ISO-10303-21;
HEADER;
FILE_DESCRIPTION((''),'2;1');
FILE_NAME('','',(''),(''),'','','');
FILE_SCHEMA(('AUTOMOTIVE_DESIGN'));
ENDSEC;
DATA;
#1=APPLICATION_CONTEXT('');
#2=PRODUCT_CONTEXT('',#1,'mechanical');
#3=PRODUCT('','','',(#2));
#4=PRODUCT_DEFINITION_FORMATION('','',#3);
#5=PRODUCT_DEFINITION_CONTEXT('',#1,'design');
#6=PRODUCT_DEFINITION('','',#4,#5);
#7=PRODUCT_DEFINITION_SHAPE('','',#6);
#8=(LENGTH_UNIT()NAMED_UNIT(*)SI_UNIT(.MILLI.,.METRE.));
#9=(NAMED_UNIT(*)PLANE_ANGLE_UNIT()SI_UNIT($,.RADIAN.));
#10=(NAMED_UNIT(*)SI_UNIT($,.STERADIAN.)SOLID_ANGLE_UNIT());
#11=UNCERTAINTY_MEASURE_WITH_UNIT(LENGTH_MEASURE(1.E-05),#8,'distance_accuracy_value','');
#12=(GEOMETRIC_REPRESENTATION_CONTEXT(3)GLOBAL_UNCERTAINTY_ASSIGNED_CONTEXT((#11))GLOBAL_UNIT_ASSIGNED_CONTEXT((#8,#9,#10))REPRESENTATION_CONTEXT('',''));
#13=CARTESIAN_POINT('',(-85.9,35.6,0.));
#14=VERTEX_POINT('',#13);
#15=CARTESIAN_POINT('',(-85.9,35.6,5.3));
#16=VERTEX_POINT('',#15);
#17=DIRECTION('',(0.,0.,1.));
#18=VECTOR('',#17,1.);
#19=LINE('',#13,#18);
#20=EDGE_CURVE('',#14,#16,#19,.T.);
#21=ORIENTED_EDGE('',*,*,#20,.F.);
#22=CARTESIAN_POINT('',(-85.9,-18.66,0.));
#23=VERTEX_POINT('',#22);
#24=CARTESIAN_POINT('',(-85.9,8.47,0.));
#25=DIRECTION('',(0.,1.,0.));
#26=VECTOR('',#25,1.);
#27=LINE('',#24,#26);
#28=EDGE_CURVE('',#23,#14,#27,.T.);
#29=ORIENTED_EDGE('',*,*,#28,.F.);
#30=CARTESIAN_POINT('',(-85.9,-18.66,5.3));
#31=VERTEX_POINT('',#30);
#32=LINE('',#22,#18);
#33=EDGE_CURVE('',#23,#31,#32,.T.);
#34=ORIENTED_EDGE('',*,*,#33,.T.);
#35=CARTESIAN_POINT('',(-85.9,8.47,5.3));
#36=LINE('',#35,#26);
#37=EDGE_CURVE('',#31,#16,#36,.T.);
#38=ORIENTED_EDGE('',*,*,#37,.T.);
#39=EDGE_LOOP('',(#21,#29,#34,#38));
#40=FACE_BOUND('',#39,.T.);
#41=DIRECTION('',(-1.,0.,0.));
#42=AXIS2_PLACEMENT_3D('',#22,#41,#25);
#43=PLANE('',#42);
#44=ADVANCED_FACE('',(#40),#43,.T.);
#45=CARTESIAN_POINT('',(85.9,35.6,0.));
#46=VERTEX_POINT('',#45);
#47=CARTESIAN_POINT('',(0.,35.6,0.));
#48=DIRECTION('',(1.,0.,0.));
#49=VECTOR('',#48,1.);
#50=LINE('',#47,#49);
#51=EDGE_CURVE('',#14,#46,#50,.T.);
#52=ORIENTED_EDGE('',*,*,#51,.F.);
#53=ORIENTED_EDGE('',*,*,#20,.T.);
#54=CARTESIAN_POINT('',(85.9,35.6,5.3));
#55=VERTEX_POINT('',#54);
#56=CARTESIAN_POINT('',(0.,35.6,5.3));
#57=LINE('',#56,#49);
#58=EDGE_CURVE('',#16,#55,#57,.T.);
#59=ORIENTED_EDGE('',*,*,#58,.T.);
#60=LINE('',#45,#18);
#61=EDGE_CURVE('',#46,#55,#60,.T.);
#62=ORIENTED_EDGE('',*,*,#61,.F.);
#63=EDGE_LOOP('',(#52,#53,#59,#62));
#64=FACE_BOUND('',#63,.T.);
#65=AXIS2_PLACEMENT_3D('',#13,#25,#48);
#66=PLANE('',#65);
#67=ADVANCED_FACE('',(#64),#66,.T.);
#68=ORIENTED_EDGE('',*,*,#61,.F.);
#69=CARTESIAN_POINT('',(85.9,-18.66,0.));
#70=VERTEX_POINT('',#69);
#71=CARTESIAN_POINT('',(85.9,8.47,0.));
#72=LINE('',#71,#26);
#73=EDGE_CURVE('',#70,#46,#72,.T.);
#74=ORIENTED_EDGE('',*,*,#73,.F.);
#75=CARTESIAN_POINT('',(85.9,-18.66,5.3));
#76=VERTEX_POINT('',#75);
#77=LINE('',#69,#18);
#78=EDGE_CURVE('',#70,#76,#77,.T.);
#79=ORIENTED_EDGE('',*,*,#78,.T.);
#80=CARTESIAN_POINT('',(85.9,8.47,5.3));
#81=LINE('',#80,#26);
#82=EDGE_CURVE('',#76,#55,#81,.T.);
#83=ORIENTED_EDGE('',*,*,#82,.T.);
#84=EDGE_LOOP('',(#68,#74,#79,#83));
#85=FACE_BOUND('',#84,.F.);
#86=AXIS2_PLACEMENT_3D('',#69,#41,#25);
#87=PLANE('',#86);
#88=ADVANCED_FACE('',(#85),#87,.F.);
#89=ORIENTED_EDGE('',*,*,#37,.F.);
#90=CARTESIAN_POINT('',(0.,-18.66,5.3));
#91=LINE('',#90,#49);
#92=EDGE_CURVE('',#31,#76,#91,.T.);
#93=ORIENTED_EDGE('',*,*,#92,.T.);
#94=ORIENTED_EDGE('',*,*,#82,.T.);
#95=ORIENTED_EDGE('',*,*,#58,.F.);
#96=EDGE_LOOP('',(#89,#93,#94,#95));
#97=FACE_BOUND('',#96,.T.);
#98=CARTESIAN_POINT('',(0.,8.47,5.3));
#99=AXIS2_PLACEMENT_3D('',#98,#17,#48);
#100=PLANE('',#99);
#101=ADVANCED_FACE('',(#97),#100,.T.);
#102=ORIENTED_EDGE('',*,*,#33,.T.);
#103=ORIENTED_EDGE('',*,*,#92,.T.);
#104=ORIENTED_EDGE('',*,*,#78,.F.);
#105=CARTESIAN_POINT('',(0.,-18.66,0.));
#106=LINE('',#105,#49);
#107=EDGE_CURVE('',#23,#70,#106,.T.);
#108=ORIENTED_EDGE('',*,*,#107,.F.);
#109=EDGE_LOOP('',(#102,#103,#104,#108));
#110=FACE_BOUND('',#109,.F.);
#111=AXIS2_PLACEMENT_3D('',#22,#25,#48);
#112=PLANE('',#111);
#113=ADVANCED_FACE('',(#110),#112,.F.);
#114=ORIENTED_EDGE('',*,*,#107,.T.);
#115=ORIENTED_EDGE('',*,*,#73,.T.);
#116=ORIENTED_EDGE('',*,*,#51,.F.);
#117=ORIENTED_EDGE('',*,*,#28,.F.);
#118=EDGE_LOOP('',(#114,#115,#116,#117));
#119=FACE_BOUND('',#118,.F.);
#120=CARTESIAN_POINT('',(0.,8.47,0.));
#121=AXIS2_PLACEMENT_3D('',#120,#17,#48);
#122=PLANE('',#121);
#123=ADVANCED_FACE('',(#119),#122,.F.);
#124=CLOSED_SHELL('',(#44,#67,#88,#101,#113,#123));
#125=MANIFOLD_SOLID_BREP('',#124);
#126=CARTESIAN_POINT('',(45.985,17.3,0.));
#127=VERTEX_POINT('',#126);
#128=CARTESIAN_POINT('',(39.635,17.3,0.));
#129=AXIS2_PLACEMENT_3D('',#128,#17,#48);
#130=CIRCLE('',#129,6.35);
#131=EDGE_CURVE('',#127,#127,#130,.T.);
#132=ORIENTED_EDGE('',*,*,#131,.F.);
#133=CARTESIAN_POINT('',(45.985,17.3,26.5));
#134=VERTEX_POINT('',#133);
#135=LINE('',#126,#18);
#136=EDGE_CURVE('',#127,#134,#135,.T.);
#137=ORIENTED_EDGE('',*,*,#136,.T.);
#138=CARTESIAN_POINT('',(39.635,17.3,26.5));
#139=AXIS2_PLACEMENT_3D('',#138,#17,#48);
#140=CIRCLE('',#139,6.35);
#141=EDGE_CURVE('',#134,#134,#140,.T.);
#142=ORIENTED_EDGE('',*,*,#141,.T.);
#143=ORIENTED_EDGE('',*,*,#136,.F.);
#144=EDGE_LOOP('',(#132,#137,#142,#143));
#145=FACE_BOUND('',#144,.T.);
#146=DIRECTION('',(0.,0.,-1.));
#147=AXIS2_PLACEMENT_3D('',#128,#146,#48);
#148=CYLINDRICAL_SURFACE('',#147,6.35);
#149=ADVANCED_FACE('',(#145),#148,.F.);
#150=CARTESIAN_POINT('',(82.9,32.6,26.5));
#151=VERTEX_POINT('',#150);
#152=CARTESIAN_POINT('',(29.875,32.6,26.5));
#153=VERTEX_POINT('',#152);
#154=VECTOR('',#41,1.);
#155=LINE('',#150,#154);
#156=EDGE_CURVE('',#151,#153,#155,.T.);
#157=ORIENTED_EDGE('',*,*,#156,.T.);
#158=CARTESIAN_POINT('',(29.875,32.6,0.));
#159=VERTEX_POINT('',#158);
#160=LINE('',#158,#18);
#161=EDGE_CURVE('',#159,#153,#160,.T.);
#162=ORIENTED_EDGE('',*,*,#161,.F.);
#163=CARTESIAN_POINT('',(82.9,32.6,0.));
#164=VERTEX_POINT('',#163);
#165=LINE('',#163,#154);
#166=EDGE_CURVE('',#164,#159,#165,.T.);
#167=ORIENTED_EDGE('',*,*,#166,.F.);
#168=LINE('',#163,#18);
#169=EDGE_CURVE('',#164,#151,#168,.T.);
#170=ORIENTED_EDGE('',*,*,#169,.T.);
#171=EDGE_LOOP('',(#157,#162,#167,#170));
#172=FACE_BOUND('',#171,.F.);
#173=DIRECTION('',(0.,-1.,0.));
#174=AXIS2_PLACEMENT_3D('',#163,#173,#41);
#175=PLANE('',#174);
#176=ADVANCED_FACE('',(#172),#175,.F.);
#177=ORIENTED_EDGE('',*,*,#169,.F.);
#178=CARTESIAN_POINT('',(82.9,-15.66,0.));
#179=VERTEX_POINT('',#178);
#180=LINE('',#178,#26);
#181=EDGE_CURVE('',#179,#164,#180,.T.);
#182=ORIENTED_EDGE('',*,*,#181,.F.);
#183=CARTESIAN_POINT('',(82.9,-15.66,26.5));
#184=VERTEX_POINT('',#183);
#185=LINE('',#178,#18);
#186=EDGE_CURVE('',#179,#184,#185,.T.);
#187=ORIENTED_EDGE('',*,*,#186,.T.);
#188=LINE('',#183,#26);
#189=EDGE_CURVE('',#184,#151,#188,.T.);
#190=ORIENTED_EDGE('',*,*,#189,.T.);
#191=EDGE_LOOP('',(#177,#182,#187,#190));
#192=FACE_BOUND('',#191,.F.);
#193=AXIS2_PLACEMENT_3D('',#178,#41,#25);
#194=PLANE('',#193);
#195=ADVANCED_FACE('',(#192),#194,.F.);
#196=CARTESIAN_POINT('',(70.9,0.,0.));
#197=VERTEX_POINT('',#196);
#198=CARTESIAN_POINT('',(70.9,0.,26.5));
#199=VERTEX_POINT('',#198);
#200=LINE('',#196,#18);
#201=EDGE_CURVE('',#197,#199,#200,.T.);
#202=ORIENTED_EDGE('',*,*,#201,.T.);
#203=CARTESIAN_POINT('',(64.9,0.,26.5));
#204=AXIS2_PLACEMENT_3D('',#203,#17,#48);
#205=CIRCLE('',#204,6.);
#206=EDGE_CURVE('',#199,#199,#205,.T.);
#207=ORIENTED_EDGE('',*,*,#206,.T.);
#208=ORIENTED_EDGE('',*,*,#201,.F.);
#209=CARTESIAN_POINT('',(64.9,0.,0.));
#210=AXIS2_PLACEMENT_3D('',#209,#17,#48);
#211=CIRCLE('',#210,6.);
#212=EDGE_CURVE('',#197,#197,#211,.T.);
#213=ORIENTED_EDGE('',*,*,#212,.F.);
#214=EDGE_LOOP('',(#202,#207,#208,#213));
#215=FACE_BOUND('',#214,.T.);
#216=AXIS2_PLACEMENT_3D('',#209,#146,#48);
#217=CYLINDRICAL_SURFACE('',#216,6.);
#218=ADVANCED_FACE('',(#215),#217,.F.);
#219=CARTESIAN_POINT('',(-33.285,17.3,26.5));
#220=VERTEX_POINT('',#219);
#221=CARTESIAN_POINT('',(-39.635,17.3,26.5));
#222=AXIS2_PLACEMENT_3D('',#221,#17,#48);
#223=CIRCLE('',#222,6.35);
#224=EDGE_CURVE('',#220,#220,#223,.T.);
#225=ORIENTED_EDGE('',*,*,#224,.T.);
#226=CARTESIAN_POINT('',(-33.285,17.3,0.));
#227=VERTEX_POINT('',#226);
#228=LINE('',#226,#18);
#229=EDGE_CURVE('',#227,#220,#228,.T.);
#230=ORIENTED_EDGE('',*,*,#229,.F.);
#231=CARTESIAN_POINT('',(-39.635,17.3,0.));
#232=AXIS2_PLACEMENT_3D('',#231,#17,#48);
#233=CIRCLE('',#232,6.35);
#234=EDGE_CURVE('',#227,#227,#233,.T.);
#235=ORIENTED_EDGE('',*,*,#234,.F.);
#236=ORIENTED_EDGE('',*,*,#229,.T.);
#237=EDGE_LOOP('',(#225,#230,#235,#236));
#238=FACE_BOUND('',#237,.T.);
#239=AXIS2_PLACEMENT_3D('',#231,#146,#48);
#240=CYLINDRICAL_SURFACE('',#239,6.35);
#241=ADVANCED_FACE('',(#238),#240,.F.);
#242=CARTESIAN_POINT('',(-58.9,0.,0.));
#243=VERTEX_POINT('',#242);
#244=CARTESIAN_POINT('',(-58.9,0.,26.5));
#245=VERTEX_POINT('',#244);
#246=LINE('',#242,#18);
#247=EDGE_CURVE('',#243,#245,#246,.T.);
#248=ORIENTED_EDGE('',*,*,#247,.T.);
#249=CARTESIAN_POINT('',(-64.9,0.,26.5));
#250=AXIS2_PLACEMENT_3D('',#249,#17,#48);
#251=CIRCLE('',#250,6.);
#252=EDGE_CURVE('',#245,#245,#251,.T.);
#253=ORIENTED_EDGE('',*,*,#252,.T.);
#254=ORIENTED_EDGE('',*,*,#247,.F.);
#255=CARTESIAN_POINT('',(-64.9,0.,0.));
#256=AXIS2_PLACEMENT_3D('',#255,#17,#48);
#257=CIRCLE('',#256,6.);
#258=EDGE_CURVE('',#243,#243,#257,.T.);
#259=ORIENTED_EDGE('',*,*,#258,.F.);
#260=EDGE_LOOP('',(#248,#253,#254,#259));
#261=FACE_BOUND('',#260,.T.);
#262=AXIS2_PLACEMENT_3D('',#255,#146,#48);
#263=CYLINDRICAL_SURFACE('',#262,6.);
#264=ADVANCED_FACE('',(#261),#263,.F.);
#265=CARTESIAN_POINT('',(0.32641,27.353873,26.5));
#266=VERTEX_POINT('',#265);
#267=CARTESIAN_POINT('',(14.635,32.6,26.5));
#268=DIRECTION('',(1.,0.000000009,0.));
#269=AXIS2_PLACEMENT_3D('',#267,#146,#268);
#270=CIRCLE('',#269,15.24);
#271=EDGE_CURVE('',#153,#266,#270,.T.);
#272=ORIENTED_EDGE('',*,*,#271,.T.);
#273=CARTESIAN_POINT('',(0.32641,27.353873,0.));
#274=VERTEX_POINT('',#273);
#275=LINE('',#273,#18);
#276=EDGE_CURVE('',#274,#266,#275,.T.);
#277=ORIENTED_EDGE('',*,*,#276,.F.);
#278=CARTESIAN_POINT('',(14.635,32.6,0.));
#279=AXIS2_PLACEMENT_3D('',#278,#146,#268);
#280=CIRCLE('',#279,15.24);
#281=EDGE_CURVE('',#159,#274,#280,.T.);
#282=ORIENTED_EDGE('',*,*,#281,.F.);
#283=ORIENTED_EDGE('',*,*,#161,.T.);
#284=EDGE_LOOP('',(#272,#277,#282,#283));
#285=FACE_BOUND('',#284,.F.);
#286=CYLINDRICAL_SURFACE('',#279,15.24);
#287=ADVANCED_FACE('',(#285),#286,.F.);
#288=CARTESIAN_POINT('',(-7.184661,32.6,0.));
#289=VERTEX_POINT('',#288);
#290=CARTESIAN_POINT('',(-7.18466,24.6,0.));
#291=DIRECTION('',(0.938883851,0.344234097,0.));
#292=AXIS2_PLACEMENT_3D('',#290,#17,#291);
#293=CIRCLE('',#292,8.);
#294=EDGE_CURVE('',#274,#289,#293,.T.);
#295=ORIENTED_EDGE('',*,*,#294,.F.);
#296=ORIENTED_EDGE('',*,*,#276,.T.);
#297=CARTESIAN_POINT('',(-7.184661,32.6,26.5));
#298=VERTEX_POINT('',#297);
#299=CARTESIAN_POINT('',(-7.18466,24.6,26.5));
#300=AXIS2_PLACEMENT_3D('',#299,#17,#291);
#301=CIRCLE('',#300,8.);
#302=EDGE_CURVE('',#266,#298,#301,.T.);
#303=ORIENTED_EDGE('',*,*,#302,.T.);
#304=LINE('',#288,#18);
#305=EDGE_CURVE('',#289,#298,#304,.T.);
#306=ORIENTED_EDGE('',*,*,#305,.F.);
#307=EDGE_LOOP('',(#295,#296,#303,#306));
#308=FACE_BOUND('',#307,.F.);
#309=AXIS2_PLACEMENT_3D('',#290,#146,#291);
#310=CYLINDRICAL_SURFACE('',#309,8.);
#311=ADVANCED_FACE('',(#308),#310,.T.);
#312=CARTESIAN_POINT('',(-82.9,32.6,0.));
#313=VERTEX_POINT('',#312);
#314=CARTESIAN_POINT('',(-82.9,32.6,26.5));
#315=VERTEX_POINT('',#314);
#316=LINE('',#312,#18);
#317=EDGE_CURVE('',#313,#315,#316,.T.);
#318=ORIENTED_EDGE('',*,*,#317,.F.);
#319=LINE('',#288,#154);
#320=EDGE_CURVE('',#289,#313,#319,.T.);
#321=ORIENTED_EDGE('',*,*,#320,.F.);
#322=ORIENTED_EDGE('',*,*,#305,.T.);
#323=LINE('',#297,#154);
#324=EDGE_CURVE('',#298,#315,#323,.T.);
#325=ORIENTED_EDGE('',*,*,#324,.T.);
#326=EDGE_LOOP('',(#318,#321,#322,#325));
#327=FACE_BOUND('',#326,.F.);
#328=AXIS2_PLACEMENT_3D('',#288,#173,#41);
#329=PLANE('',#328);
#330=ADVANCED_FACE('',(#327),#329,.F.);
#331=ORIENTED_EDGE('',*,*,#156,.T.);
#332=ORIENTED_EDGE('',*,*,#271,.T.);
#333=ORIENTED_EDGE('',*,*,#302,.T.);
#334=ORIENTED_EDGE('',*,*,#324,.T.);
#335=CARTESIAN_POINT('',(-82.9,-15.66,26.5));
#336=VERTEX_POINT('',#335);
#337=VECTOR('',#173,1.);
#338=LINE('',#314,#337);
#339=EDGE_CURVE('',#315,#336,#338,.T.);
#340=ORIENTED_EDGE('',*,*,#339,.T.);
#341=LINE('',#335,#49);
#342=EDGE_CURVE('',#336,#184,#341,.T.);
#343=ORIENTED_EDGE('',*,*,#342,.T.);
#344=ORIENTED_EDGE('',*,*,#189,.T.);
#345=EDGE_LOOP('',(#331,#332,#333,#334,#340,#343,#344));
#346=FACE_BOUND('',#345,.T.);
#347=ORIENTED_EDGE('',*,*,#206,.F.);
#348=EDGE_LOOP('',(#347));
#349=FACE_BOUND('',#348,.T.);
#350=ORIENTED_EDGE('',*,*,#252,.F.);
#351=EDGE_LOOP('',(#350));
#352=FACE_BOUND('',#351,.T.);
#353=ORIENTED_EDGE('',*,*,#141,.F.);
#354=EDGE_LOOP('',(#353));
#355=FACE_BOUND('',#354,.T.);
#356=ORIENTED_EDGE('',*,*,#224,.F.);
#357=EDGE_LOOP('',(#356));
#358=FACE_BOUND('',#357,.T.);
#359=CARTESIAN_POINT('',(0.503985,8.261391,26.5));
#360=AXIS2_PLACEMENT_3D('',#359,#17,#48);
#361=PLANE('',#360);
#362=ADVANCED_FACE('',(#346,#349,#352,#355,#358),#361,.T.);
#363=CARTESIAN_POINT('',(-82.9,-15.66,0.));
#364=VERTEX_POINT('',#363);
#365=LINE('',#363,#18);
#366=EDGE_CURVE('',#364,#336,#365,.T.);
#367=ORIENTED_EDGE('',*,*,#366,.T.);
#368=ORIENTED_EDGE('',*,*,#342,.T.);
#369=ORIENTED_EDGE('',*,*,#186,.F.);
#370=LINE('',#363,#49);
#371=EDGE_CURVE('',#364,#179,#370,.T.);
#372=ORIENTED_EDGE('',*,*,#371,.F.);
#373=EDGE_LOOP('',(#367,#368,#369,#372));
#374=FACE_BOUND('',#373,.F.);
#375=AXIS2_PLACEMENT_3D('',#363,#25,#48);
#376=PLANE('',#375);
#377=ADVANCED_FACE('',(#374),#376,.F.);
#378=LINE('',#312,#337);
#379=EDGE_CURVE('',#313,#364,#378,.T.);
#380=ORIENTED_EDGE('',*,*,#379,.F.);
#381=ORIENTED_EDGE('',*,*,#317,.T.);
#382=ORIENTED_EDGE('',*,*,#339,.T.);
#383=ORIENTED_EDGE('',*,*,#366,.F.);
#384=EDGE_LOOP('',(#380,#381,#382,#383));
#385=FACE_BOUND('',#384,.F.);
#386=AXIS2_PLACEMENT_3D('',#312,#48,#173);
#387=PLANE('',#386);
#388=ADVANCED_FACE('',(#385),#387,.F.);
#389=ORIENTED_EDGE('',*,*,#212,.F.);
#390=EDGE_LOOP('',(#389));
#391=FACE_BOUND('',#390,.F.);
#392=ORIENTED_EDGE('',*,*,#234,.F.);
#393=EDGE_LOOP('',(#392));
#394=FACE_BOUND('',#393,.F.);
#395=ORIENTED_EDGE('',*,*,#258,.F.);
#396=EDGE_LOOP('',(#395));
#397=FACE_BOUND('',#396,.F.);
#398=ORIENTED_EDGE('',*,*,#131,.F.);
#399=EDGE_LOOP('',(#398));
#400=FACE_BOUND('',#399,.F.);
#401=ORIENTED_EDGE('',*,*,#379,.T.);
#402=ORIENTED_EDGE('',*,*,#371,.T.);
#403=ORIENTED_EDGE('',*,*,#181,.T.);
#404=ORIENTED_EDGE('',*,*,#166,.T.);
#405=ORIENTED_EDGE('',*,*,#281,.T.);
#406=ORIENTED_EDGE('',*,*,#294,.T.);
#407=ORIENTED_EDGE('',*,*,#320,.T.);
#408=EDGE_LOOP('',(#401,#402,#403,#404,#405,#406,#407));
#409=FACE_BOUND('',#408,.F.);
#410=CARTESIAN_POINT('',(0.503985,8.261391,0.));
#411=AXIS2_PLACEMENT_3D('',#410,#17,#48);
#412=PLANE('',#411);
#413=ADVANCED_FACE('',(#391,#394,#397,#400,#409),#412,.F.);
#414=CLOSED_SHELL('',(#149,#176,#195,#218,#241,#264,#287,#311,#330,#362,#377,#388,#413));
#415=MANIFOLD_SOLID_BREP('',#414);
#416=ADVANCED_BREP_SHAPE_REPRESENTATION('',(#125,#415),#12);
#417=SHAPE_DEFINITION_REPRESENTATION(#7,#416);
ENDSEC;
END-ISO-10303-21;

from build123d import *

# Parameters (mm, degrees)
F0_R     = 6
F0_R_2   = 6.35
F1_DEPTH = 26.5
F2_W     = 171.8
F2_H     = 54.26
F3_DEPTH = 5.3


with BuildPart() as f1:
    # F0 (on Top) → F1 (new body)
    with BuildSketch(Plane.XY):
        with BuildLine():
            Line((-7.184661, 32.6), (-82.9, 32.6))
            Line((-82.9, 32.6), (-82.9, -15.66))
            Line((-82.9, -15.66), (82.9, -15.66))
            Line((82.9, -15.66), (82.9, 32.6))
            Line((82.9, 32.6), (29.875, 32.6))
            ThreePointArc((29.875, 32.6), (17.299084, 17.594659), (0.32641, 27.353873))
            ThreePointArc((0.32641, 27.353873), (-2.603776, 31.15862), (-7.184661, 32.6))
        make_face()
        with Locations((-64.9, 0)):
            Circle(F0_R, mode=Mode.SUBTRACT)
        with Locations((64.9, 0)):
            Circle(F0_R, mode=Mode.SUBTRACT)
        with Locations((-39.635, 17.3)):
            Circle(F0_R_2, mode=Mode.SUBTRACT)
        with Locations((39.635, 17.3)):
            Circle(F0_R_2, mode=Mode.SUBTRACT)
    extrude(amount=F1_DEPTH)


with BuildPart() as f3:
    # F2 (on Top) → F3 (new body)
    with BuildSketch(Plane.XY):
        with Locations((0, 8.47)):
            Rectangle(F2_W, F2_H)
    extrude(amount=F3_DEPTH)


solid = Compound([f1.part, f3.part])
